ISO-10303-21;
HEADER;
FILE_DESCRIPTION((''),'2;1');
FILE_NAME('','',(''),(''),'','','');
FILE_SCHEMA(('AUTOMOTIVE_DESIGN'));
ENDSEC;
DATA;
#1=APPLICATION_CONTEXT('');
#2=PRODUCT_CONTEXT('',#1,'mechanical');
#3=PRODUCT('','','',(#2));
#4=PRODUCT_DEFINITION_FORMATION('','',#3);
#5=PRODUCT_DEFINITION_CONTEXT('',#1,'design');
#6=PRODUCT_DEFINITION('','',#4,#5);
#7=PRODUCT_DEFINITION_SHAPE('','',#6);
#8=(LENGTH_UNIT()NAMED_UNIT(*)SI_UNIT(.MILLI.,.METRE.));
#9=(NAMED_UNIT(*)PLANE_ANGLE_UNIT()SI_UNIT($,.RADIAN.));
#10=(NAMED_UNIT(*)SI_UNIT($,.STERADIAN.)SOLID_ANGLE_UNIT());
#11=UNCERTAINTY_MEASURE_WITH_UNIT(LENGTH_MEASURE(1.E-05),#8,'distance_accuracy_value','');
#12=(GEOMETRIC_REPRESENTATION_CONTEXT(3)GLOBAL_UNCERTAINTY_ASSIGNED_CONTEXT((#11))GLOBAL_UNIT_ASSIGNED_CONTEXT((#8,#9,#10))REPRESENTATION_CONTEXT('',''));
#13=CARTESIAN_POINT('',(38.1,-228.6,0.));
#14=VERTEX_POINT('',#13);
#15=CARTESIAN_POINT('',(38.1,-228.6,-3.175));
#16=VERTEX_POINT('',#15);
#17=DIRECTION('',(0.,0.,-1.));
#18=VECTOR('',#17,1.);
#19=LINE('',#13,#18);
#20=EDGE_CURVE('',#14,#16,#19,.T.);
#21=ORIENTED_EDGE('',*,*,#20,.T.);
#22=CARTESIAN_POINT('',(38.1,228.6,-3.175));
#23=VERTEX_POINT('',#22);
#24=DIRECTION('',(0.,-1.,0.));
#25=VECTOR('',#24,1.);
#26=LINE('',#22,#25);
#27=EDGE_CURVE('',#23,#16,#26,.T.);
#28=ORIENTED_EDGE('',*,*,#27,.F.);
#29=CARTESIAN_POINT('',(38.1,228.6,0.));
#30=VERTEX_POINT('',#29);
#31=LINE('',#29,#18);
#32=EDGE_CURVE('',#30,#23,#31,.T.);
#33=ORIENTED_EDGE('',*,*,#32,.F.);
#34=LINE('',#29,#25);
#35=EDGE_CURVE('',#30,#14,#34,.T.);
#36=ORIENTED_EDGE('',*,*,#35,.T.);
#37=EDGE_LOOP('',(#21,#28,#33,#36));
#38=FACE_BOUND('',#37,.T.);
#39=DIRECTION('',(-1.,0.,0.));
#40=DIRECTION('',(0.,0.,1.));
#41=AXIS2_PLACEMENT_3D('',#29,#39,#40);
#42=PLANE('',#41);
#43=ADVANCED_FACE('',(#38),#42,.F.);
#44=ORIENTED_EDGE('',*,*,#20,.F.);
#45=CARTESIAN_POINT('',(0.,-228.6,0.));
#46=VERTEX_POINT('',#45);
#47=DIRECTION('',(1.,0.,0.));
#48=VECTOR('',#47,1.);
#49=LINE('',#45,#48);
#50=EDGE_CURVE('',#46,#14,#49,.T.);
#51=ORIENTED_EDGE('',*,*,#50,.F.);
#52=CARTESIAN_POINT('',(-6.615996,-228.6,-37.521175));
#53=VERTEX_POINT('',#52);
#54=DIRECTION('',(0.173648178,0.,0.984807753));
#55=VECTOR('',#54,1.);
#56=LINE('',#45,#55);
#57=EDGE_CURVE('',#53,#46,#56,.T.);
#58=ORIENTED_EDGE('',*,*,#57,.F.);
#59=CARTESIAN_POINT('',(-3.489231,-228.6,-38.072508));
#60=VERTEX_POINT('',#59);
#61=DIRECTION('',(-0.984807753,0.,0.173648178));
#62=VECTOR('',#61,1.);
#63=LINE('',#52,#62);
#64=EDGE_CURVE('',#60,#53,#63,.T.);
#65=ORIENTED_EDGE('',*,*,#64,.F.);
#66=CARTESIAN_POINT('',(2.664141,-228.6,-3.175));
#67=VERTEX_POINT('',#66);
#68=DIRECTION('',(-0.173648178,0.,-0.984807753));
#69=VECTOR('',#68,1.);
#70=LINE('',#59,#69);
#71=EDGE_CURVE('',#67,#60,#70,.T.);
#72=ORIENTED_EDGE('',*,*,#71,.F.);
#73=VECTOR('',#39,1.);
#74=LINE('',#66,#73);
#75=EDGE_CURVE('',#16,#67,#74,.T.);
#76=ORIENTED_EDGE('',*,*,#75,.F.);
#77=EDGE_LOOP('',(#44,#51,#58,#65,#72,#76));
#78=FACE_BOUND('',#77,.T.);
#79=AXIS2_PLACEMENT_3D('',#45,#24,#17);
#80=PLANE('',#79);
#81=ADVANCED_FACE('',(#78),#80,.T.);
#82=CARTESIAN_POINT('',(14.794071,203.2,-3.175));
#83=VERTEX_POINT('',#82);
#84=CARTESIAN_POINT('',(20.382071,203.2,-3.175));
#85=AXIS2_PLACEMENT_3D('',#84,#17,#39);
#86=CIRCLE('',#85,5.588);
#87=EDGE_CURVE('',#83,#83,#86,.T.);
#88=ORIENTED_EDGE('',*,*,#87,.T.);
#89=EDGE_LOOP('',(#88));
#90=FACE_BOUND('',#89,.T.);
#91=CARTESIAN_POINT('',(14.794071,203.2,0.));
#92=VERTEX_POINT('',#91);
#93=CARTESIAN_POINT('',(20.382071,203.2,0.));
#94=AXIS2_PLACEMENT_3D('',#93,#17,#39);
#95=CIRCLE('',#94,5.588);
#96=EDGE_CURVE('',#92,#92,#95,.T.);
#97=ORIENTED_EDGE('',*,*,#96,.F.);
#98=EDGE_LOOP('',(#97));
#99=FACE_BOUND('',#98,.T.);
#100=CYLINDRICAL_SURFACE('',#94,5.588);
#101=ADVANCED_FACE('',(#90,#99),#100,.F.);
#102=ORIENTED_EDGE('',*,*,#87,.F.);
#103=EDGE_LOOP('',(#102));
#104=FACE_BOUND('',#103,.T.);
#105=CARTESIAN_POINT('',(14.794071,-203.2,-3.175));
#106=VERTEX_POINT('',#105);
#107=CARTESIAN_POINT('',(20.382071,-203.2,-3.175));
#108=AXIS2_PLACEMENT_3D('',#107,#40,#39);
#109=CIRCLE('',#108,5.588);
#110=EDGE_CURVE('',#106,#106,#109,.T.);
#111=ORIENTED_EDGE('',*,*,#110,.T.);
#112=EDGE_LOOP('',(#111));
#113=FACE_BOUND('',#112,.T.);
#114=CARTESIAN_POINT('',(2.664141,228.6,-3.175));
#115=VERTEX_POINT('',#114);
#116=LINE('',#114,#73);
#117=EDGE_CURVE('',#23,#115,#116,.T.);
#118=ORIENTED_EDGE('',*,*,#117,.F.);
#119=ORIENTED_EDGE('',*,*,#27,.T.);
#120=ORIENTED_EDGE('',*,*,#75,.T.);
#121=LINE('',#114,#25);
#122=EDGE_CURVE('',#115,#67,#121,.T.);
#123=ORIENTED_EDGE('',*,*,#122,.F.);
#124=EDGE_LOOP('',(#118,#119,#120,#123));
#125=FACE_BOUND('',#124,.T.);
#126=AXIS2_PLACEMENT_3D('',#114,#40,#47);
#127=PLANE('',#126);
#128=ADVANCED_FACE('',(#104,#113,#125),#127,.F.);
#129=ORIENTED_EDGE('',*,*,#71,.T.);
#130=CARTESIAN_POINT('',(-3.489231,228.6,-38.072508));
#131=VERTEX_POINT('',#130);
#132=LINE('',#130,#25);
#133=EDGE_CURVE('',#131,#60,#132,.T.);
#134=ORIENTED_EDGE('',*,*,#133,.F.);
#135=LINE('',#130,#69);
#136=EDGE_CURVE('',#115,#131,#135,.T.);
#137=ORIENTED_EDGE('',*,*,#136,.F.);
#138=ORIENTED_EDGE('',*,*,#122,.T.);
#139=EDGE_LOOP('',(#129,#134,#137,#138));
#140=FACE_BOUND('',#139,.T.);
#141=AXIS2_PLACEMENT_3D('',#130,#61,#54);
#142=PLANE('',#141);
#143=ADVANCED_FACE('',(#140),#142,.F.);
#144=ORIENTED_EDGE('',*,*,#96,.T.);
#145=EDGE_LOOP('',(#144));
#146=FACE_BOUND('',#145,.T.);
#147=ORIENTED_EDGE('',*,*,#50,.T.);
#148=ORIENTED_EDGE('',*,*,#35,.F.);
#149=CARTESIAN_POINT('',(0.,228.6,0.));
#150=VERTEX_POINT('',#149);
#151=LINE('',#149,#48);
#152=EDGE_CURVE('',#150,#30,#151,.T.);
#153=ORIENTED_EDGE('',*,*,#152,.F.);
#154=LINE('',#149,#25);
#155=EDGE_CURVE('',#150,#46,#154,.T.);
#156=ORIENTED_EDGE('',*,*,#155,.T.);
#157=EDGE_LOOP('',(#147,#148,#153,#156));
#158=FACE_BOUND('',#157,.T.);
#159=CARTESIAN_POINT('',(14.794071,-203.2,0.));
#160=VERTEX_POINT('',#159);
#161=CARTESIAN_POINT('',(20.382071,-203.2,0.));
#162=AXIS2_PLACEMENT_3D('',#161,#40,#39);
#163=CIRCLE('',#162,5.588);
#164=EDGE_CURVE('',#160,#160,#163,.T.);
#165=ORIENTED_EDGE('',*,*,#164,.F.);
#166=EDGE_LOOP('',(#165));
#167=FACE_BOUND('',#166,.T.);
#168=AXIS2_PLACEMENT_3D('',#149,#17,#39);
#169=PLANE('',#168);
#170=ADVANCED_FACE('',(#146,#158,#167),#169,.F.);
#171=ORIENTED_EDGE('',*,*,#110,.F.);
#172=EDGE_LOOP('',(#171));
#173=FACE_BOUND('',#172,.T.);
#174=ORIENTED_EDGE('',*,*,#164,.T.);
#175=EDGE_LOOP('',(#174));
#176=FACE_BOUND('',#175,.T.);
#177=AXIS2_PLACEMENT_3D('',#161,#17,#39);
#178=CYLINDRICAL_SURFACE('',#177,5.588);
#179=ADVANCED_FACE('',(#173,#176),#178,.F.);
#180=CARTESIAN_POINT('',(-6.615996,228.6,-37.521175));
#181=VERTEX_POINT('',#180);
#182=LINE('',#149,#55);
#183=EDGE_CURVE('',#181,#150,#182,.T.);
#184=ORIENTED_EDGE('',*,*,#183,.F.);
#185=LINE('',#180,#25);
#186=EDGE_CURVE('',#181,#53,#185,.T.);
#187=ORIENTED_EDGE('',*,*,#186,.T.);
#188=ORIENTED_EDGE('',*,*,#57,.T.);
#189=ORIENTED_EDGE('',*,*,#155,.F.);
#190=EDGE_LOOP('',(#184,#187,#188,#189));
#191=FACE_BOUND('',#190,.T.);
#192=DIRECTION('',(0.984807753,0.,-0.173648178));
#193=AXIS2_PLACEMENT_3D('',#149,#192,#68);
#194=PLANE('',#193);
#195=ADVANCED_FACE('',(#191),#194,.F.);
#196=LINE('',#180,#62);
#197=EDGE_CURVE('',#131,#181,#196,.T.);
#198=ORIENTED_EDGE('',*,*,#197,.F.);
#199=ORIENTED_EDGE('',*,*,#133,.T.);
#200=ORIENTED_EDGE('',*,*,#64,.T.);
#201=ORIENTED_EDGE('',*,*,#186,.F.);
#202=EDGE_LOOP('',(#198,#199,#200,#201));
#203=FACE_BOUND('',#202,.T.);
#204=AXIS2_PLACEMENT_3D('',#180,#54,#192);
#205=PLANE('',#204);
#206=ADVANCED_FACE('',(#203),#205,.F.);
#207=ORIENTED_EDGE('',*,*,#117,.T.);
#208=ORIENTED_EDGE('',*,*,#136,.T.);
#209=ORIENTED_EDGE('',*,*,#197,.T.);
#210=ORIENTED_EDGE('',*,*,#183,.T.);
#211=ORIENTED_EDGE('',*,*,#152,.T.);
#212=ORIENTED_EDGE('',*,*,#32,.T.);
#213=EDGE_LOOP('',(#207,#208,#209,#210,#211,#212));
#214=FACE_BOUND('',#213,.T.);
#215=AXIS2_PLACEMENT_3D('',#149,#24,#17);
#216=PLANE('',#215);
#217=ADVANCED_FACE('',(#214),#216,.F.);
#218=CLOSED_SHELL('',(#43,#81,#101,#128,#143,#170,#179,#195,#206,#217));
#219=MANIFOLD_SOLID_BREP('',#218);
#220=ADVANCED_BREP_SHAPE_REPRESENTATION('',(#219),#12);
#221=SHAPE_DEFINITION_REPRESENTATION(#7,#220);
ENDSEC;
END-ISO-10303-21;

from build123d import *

# Parameters (mm, degrees)
BOSS_EXTRUDE1_DEPTH = 228.6
SKETCH19_R          = 5.588
CUT_EXTRUDE2_DEPTH  = 235.36596615


with BuildPart() as part:
    # Sketch18 → Boss-Extrude1 (new, symmetric)
    with BuildSketch(Plane(origin=(0, 0, 0), x_dir=(1, 0, 0), z_dir=(0, 1, 0))):
        Polygon((-3.489230953, 38.072508354), (2.664141329, 3.175), (38.1, 3.175), (38.1, 0), (0, 0), (-6.615995569, 37.52117539), align=None)
    extrude(amount=BOSS_EXTRUDE1_DEPTH, both=True)

    # Sketch19 → Cut-Extrude2 (cut, through all)
    with BuildSketch(Plane(origin=(0, 0, -3.175), x_dir=(-1, 0, 0), z_dir=(0, 0, -1))):
        with Locations((-20.382070664, 203.2)):
            Circle(SKETCH19_R)
    cut_extrude2 = extrude(amount=-CUT_EXTRUDE2_DEPTH, mode=Mode.SUBTRACT)

    # Mirror1: Cut-Extrude2 across plane
    add(cut_extrude2.mirror(Plane.ZX), mode=Mode.SUBTRACT)


solid = part.part
